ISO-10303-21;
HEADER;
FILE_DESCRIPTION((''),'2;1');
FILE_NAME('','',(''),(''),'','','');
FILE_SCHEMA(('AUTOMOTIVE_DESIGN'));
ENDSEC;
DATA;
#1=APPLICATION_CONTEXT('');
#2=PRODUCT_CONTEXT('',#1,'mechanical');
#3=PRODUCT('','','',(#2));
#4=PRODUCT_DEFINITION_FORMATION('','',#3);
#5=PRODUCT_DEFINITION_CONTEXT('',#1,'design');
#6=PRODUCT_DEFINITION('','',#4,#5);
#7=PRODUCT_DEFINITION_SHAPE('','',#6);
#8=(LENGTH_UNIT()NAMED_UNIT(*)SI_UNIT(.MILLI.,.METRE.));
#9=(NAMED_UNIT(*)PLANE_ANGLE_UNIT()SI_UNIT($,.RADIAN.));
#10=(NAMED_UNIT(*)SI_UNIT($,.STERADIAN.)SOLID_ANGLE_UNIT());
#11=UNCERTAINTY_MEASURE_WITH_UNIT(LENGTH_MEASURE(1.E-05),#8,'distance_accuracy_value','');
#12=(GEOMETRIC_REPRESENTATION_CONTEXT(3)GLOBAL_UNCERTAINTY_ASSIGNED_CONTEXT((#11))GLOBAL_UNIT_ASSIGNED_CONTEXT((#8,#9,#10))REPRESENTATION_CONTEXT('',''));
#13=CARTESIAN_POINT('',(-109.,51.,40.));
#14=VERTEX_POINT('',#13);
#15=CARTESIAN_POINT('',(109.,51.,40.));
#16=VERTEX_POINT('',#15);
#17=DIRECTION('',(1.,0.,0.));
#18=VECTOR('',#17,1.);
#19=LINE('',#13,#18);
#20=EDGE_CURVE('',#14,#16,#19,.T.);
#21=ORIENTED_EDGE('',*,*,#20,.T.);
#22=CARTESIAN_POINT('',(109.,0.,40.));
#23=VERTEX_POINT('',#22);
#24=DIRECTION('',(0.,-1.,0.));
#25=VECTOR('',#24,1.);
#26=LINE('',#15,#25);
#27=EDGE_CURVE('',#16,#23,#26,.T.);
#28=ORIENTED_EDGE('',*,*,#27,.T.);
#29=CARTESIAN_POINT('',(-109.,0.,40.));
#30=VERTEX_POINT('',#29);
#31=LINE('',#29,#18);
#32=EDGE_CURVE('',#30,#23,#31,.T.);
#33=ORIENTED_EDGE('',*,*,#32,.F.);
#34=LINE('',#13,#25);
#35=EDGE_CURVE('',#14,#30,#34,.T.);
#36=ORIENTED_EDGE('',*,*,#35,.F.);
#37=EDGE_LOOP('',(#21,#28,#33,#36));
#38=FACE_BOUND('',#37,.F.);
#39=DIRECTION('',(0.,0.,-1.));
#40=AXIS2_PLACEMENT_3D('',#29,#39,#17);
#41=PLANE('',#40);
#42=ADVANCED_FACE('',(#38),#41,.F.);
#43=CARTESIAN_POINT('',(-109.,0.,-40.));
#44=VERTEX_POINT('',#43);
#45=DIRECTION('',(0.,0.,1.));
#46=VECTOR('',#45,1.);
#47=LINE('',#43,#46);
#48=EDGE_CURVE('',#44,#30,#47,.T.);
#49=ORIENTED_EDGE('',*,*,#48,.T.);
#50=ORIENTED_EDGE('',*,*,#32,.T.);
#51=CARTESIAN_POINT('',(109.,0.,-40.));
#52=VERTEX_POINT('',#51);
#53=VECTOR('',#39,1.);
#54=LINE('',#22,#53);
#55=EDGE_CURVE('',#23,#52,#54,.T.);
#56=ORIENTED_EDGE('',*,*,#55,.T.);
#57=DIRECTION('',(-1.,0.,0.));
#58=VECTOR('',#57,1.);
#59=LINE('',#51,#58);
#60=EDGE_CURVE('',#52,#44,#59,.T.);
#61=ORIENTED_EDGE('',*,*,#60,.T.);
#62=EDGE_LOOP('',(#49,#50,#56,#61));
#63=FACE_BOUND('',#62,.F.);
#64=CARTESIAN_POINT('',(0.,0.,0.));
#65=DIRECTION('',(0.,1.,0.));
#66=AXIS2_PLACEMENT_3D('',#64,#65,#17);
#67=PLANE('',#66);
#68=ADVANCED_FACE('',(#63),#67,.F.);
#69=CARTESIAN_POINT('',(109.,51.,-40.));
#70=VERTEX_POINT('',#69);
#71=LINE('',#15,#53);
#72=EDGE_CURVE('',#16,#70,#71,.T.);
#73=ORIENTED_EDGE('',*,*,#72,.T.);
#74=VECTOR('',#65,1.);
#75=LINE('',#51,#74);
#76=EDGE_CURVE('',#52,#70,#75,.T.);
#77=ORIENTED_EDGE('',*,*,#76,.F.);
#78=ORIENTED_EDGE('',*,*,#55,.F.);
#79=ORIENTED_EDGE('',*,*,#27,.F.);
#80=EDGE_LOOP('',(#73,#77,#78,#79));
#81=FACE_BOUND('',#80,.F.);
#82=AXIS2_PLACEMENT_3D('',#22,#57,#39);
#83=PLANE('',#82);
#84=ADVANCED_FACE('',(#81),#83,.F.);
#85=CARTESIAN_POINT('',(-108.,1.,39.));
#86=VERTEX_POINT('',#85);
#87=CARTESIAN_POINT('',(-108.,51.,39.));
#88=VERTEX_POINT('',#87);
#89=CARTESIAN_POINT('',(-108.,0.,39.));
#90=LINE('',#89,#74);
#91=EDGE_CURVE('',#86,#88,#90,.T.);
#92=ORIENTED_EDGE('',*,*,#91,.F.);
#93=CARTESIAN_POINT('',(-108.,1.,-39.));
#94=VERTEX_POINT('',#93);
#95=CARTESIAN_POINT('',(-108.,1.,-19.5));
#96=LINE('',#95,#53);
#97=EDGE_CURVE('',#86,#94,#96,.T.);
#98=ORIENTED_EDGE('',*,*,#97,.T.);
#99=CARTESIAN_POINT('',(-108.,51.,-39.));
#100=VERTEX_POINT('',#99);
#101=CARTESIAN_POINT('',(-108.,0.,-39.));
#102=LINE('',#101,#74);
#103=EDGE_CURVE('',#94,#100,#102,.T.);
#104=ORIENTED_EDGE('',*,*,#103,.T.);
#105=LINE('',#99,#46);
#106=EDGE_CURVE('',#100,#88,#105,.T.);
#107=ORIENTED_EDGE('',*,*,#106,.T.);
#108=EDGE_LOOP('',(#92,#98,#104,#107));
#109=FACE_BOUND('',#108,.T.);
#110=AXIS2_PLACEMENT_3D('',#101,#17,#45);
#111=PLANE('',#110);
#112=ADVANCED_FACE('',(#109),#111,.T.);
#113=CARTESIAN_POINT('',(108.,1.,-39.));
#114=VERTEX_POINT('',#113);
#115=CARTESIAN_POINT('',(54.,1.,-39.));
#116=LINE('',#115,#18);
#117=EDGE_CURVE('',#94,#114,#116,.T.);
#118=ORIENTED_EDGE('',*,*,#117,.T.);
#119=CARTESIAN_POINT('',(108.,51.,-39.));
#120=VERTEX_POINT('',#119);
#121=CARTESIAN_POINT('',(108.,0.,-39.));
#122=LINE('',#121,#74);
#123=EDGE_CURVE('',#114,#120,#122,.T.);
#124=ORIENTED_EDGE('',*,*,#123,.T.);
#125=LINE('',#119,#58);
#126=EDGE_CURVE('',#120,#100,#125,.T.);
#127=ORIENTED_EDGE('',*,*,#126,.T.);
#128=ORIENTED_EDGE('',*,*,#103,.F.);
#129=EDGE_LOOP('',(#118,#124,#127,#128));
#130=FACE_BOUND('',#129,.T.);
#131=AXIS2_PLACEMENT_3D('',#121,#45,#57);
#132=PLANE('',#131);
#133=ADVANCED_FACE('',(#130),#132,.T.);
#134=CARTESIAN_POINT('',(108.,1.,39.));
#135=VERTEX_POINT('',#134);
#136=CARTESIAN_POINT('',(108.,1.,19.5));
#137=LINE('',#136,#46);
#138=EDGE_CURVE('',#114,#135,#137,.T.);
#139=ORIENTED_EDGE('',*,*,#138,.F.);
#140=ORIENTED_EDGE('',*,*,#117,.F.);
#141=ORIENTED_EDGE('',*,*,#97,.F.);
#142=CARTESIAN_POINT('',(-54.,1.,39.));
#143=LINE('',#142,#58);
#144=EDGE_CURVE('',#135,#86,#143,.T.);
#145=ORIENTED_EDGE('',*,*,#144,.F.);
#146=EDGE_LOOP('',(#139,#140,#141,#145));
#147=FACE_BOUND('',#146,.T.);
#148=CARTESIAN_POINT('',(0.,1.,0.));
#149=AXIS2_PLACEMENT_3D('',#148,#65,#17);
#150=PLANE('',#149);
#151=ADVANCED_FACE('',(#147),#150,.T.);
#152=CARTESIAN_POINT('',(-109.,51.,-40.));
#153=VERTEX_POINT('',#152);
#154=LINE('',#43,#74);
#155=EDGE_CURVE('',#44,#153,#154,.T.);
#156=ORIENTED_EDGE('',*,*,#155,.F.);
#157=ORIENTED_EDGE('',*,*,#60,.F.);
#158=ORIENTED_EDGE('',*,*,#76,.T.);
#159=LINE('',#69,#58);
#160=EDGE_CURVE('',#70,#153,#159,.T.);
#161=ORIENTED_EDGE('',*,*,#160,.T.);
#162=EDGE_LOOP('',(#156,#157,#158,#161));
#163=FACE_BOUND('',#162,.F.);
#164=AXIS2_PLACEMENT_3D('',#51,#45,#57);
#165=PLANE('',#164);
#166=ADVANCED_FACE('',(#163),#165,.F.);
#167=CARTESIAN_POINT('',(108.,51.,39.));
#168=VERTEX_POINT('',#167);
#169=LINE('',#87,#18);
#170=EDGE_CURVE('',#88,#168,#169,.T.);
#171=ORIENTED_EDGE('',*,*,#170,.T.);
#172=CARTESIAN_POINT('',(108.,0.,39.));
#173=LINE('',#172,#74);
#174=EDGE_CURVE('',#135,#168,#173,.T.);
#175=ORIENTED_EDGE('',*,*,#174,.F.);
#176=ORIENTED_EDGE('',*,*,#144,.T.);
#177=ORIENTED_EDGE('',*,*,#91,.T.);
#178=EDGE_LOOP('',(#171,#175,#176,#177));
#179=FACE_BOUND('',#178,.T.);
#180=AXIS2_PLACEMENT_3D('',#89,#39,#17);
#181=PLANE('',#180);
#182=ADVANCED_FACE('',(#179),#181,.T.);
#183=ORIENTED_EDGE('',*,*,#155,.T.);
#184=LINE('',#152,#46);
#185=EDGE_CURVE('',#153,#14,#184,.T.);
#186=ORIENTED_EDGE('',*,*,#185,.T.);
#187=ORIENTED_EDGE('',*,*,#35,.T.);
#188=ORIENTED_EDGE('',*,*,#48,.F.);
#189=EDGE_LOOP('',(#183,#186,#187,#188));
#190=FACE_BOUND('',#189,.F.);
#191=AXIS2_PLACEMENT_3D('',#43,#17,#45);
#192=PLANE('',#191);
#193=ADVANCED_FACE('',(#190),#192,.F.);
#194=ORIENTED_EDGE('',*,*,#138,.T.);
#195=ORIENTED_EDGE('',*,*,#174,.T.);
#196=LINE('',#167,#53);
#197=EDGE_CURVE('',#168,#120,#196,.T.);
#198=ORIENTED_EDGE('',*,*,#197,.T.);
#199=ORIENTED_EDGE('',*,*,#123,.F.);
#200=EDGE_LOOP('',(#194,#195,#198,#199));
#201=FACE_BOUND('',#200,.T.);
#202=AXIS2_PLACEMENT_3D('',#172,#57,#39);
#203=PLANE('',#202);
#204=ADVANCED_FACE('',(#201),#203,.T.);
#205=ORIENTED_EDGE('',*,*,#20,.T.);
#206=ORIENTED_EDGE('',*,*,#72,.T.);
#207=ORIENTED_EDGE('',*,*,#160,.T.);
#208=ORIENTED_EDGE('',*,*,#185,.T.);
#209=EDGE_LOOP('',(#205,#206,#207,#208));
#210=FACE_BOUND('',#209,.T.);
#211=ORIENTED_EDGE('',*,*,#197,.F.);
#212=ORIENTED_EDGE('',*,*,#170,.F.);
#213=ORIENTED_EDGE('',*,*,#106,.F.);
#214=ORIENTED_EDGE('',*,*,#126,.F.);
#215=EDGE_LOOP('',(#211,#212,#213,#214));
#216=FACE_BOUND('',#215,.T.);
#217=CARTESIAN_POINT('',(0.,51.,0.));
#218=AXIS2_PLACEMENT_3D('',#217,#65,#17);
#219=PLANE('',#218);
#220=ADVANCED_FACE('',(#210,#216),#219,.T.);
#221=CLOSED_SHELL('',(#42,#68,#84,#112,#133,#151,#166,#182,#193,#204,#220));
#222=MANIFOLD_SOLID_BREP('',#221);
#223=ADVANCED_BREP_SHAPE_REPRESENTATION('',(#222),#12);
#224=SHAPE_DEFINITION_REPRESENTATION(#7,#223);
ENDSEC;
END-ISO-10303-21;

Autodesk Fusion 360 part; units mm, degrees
sketch "Skizze1" plane through (0, 0, 0) normal (0, 1, 0) x (1, 0, 0)
  line L0 (108, 39) -> (-108, 39)
  line L1 (-108, 39) -> (-108, -39)
  line L2 (-108, -39) -> (108, -39)
  line L3 (108, -39) -> (108, 39)
  line L4 (108, 39) -> (-108, -39) construction
  line L5 (-108, 39) -> (108, -39) construction
  line L6 (109, 40) -> (-109, 40)
  line L7 (-109, 40) -> (-109, -40)
  line L8 (-109, -40) -> (109, -40)
  line L9 (109, -40) -> (109, 40)
  line L10 (109, 40) -> (-109, -40) construction
  line L11 (-109, 40) -> (109, -40) construction
  dimension "d4" = 216
  dimension "d5" = 78
  dimension "d6" = 218
  dimension "d7" = 80
extrude "Extrusion1" add sketch "Skizze1" along normal blind 1 contours L0 L1 L2 L3 | L6 L7 L8 L9
extrude "Extrusion2" add sketch "Skizze1" along normal blind 51
